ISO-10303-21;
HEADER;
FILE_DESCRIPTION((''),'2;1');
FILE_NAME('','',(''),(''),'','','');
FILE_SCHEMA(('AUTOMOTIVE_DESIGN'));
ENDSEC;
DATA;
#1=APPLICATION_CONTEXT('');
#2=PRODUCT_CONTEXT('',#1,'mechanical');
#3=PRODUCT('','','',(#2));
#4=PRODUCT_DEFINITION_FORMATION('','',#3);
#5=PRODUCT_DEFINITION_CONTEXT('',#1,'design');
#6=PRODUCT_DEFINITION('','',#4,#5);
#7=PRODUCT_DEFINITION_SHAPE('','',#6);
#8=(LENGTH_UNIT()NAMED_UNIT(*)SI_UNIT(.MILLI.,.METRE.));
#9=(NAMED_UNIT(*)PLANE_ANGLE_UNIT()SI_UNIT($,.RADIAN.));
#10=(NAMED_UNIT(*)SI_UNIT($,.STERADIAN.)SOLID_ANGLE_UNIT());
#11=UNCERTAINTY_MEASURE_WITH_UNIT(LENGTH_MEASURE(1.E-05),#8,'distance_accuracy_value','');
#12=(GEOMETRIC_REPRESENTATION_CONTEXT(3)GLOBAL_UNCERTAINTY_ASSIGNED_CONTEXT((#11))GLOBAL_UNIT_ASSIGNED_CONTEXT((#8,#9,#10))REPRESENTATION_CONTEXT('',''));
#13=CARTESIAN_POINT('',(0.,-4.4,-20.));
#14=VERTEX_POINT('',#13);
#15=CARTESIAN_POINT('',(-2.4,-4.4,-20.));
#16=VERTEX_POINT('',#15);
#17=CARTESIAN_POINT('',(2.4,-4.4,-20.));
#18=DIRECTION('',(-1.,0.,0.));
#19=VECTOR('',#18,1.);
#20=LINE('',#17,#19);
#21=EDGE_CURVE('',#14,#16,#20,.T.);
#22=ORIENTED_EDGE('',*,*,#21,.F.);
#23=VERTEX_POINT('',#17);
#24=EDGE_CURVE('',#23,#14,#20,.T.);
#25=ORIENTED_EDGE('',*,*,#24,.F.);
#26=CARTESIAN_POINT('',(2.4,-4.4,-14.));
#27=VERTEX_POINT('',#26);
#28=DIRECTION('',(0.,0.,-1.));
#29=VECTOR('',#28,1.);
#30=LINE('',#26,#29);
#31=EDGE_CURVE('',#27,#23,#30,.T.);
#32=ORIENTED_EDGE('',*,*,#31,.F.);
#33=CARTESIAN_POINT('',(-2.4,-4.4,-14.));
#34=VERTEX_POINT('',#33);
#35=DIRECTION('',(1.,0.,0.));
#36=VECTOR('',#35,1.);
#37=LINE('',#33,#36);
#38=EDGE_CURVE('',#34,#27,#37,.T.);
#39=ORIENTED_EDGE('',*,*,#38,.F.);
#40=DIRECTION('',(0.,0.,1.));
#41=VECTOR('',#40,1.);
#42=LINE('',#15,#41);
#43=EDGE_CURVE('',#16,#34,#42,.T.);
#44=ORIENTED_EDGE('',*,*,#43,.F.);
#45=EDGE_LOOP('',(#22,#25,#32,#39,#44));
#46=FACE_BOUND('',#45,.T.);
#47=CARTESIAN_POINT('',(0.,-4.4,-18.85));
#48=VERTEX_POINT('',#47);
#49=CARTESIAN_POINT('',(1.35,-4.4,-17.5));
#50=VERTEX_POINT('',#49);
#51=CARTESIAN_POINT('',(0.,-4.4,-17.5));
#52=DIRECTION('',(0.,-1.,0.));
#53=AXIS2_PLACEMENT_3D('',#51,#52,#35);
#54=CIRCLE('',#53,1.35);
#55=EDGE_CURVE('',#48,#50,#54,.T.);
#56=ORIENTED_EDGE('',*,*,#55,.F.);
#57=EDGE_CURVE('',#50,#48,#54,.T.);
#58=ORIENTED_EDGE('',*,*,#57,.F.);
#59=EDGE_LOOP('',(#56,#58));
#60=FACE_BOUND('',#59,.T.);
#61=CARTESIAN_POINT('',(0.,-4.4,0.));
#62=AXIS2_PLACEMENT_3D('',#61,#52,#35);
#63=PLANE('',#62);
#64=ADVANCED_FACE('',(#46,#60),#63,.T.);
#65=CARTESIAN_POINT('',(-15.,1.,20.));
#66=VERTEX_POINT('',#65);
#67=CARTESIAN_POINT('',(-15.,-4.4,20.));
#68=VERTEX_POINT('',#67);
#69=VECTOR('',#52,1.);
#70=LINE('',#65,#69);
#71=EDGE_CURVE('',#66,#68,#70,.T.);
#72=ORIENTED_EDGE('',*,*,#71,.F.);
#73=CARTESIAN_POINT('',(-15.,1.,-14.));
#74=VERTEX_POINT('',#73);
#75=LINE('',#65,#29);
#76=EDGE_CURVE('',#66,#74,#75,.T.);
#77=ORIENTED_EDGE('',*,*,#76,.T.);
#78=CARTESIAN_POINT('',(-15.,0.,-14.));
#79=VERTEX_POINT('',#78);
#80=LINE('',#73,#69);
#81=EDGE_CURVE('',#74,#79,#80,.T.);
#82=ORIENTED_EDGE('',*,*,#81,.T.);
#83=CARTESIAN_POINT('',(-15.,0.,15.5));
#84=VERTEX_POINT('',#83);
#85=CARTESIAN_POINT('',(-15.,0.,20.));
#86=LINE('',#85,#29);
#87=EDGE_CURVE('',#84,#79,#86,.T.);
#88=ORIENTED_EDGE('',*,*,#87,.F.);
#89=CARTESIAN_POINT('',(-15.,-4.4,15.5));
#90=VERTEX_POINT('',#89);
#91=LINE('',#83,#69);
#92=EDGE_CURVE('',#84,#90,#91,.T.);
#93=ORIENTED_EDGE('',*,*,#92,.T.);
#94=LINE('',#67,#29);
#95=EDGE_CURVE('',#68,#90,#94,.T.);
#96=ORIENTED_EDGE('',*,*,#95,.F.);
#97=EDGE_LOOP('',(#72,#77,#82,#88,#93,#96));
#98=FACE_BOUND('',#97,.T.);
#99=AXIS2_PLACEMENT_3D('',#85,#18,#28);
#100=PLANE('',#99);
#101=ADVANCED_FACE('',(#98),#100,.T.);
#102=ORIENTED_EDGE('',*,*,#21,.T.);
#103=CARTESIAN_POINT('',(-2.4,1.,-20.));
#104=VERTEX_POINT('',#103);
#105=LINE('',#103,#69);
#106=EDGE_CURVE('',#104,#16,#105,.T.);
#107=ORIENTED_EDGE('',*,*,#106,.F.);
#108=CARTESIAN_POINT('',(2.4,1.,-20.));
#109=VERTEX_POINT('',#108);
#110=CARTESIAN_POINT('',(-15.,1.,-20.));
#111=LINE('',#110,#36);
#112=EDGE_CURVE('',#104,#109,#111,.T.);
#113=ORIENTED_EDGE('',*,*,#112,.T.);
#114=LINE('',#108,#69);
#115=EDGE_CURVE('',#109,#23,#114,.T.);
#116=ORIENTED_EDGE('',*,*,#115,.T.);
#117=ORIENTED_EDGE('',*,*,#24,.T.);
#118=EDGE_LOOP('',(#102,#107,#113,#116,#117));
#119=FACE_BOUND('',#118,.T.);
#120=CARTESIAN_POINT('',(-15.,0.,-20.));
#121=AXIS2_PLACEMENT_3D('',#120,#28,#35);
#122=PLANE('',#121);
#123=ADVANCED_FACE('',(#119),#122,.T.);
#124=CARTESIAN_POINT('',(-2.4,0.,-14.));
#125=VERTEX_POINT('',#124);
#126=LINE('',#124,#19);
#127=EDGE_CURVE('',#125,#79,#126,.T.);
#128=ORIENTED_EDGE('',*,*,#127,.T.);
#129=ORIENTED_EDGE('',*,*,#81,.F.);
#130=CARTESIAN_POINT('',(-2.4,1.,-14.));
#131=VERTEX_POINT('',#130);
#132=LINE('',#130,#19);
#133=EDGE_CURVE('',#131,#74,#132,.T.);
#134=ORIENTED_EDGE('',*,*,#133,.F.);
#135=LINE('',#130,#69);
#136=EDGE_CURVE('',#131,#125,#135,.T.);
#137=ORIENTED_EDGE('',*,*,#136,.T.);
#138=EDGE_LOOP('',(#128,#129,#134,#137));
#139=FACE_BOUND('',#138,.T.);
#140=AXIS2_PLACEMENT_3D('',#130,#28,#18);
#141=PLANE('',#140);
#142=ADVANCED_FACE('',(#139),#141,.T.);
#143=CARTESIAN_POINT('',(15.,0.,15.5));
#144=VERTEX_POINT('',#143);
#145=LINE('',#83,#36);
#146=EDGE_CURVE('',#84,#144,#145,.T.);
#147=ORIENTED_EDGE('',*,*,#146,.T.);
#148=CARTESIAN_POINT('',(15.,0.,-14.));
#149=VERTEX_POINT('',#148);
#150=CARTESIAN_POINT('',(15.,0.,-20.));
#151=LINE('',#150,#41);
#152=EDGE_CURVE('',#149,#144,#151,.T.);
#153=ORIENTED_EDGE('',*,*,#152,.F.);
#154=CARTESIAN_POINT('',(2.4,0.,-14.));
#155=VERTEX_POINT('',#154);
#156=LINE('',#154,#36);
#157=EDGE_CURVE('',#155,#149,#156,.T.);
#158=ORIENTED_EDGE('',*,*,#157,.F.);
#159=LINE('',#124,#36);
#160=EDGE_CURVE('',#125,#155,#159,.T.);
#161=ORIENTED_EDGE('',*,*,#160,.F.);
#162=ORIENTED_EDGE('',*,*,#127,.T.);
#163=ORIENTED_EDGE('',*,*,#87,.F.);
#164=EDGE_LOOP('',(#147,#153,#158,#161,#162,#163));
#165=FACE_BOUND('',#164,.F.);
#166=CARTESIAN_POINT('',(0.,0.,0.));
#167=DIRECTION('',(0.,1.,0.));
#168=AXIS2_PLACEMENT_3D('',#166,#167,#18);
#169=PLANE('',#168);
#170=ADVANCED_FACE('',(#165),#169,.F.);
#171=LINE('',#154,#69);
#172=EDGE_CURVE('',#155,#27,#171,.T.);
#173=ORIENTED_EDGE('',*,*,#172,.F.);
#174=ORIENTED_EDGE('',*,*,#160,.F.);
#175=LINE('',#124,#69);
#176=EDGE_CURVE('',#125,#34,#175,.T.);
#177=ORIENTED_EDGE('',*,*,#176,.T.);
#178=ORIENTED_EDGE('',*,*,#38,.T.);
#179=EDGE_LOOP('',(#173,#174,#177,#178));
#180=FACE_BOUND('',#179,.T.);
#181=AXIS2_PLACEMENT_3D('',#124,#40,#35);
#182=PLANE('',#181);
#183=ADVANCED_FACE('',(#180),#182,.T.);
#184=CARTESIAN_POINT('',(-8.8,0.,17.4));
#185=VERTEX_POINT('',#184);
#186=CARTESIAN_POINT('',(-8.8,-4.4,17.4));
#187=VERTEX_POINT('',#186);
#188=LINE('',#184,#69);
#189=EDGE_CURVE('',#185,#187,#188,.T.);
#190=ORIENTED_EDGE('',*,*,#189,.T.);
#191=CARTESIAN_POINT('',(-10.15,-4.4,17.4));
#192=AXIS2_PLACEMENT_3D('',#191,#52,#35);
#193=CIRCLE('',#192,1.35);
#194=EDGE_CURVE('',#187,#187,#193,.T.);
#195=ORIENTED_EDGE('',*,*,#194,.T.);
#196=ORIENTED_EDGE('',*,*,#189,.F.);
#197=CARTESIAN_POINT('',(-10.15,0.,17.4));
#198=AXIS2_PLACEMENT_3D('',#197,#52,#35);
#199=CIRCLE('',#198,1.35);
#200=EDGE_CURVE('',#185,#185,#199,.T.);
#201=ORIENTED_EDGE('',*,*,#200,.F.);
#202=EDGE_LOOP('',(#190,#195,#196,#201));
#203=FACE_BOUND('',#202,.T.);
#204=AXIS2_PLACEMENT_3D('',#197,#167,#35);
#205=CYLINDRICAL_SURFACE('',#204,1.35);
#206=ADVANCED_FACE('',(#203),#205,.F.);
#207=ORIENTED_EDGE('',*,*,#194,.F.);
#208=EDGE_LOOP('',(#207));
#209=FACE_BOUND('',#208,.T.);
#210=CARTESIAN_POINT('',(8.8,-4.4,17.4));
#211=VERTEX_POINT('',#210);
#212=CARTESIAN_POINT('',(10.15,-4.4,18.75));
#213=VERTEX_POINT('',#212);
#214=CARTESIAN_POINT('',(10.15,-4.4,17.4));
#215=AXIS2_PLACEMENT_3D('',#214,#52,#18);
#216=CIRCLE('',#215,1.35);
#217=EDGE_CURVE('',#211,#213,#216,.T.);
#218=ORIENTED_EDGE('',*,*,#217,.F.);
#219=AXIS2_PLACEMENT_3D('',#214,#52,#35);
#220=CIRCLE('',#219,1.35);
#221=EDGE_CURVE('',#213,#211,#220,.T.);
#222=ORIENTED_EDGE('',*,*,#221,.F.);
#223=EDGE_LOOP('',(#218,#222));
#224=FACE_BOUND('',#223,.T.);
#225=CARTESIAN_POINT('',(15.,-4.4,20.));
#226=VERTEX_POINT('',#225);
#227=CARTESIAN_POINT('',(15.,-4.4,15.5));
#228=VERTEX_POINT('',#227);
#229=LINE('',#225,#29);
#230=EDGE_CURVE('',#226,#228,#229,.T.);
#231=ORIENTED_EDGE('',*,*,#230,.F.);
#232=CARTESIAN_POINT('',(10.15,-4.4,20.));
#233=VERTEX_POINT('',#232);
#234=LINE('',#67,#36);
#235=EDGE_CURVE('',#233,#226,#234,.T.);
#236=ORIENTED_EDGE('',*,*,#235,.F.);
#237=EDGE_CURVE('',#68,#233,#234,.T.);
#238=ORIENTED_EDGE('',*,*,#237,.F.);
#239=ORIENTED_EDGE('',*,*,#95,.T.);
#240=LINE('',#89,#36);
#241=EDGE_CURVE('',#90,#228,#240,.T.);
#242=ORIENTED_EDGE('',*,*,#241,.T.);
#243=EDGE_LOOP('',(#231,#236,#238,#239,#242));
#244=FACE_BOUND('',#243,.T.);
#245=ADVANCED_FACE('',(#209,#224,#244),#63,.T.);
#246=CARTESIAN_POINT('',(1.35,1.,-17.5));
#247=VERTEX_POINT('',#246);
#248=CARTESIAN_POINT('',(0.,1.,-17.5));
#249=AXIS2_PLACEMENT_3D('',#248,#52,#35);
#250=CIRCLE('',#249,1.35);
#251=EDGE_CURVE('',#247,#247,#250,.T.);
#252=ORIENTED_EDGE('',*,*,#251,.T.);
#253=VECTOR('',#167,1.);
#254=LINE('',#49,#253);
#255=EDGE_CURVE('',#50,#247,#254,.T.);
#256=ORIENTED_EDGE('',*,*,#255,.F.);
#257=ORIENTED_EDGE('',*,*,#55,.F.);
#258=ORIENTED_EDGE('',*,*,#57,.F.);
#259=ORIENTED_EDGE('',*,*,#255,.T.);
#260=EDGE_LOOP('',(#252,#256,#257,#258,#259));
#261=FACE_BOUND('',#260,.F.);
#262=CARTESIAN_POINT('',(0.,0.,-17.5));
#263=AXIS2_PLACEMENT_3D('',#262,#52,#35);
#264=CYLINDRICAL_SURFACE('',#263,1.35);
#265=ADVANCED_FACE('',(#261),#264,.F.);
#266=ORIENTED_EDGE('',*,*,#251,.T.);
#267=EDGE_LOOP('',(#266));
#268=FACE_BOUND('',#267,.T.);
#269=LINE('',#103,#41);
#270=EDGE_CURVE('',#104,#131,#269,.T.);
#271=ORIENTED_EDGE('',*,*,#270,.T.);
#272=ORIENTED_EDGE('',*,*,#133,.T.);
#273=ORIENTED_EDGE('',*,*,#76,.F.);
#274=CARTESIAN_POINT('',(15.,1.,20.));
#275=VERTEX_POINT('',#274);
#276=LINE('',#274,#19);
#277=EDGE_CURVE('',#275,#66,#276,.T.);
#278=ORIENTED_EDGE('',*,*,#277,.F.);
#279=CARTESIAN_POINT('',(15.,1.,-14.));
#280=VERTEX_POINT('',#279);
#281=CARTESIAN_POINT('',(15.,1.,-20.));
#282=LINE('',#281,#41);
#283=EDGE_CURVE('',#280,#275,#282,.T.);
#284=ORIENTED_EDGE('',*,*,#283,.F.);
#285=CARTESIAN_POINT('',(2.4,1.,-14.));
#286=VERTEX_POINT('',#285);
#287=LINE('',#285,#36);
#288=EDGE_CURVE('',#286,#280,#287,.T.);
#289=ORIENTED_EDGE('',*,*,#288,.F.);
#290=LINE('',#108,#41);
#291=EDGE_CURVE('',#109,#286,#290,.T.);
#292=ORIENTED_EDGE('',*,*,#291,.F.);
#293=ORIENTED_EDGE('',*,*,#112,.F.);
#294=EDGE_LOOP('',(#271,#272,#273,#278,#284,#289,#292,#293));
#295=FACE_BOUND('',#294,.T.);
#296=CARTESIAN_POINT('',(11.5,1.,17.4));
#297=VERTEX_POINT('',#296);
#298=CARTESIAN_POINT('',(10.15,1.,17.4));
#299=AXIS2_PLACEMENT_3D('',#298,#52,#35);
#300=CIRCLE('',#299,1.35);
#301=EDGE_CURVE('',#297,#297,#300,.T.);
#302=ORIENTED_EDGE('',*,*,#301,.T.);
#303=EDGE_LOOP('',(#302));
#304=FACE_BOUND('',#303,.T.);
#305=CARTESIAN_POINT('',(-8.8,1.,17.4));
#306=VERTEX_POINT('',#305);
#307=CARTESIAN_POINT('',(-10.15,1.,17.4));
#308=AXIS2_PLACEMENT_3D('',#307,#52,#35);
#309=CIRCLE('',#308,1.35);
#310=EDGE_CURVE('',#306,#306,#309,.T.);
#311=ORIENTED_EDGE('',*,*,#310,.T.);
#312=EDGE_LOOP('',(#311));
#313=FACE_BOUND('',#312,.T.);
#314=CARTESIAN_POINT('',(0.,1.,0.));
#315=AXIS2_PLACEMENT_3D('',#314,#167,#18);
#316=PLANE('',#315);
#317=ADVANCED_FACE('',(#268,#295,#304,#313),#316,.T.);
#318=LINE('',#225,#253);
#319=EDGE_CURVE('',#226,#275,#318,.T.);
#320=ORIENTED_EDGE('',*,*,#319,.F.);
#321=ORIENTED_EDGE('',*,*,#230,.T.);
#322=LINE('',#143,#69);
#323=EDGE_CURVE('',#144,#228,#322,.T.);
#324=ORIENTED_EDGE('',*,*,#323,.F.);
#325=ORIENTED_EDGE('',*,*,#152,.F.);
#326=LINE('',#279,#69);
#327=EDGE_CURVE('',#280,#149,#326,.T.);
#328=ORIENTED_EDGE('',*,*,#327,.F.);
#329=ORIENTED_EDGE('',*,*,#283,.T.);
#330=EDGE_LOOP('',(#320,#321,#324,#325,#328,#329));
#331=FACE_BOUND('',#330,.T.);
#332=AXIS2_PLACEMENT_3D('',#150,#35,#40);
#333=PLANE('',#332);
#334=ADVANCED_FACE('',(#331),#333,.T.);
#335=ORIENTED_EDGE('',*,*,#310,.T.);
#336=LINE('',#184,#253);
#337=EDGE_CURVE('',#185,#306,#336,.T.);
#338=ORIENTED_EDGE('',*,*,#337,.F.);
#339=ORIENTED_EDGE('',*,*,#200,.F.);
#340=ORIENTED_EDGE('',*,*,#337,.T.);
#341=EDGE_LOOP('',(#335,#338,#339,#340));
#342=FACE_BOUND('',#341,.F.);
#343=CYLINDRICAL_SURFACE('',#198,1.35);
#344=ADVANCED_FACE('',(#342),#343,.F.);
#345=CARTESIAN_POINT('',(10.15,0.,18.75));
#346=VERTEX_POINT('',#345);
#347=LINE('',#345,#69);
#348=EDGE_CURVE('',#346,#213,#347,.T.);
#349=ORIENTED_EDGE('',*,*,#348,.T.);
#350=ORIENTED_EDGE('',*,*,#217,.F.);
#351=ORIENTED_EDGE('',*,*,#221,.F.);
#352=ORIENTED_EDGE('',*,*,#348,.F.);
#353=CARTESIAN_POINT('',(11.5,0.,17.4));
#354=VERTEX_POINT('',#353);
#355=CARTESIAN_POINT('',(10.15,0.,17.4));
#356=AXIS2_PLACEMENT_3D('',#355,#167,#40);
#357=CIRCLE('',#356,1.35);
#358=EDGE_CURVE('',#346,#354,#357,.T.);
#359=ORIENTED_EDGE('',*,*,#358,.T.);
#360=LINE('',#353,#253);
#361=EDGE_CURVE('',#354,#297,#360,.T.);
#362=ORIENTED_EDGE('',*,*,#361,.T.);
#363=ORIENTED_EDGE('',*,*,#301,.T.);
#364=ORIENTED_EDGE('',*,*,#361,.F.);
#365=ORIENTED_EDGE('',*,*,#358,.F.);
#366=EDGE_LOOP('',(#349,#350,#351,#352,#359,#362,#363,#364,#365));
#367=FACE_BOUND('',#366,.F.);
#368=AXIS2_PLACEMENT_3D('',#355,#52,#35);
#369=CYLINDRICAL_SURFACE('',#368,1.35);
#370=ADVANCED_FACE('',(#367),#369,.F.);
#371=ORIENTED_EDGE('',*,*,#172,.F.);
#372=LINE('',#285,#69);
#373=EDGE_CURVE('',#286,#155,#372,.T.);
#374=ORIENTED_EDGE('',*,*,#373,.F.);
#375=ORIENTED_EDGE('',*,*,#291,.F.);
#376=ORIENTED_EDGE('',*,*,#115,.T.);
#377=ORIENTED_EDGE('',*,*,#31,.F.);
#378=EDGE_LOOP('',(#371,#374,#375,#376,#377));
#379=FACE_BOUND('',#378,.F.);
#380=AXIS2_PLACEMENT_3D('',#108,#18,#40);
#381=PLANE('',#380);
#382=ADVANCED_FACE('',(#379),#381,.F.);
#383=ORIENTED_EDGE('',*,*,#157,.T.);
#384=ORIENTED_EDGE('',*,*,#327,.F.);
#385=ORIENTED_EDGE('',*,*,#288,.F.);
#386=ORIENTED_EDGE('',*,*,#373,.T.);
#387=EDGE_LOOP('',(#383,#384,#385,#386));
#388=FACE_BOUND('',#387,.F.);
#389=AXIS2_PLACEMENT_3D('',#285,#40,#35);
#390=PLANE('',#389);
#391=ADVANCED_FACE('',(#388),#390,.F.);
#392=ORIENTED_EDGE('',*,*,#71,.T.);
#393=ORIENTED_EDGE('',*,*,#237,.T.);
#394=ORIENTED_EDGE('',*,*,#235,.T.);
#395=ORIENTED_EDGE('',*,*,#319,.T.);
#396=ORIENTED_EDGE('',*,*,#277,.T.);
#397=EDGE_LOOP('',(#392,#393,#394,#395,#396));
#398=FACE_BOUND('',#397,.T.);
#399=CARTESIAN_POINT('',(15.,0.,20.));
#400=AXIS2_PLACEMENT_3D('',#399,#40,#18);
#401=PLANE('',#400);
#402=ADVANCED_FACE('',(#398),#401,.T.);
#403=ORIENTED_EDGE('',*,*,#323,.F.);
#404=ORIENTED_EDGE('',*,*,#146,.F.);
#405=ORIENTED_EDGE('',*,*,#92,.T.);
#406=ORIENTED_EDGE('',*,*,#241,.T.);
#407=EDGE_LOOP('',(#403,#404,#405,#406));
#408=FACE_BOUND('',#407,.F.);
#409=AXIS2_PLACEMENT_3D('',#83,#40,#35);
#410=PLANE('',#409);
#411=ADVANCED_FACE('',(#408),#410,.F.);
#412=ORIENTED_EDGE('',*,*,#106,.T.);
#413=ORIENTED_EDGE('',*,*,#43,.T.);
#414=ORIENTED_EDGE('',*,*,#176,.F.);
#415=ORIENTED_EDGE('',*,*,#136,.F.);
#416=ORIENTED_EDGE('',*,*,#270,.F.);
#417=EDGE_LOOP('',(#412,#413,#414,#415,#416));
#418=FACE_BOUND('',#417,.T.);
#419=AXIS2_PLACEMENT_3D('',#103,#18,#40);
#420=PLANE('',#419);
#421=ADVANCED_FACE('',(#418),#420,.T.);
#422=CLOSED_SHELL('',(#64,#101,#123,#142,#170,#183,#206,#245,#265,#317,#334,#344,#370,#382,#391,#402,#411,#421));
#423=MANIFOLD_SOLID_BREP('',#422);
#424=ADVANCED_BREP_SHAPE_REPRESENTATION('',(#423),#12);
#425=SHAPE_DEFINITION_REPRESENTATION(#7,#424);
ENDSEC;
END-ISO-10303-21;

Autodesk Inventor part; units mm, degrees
ref_plane "YZ Plane" through (0, 0, 0) normal (1, 0, 0) x (0, 1, 0)
ref_plane "XZ Plane" through (0, 0, 0) normal (0, 1, 0) x (-1, 0, 0)
ref_plane "XY Plane" through (0, 0, 0) normal (0, 0, 1) x (1, 0, 0)
sketch "Sketch1" plane through (0, 0, 0) normal (0, 1, 0) x (-1, 0, 0)
  line L0 (-15, 20) -> (15, 20)
  line L1 (15, 20) -> (15, -20)
  line L2 (15, -20) -> (-15, -20)
  line L3 (-15, -20) -> (-15, 20)
  line L4 (-15, 20) -> (15, -20) construction
  line L5 (15, 20) -> (-15, -20) construction
  point P0 (0, 0)
  dimension "d0" = 30
  dimension "d1" = 40
extrude "Extrusion1" add sketch "Sketch1" along normal blind 1
sketch "Sketch3" plane through (0, 1, 0) normal (0, 1, 0) x (1, 0, 0)
  line L0 (15, 20) -> (-15, 20) projected
  line L1 (-15, 20) -> (-2.4, 20)
  line L2 (-2.4, 20) -> (-2.4, 14)
  line L3 (-2.4, 14) -> (-15, 14)
  line L4 (-15, 14) -> (-15, 20)
  line L5 (0, 0) -> (0, 20) construction
  line L6 (15, 20) -> (2.4, 20)
  line L7 (2.4, 20) -> (2.4, 14)
  line L8 (2.4, 14) -> (15, 14)
  line L9 (15, 14) -> (15, 20)
  dimension "d7" = 12.6
  dimension "d8" = 6
  dimension "d9" = 12.6
  dimension "d10" = 6
extrude "Extrusion3" cut sketch "Sketch3" against normal up to surface (1 mm away)
sketch "Sketch8" plane through (0, 0, 0) normal (0, -1, 0) x (1, 0, 0)
  line L0 (2.4, -20) -> (-2.4, -20) projected
  line L1 (2.4, -20) -> (0, -20)
  line L2 (0, -20) -> (0, -17.5)
  line L3 (-2.4, -20) -> (-2.4, -14) projected
  line L4 (2.4, -20) -> (-2.4, -20)
  line L5 (-2.4, -20) -> (-2.4, -14)
  line L6 (-2.4, -14) -> (2.4, -14)
  line L7 (2.4, -14) -> (2.4, -20)
  line L8 (-15, 20) -> (15, 20) projected
  line L9 (15, 20) -> (10.15, 20)
  line L10 (15, 20) -> (19.85, 20) construction
  line L11 (10.15, 20) -> (10.15, 17.4)
  line L12 (10.15, 17.4) -> (-10.15, 17.4)
  line L13 (10.15, 17.4) -> (30.45, 17.4) construction
  circle A0 centre (-10.15, 17.4) radius 1.35
  circle A1 centre (10.15, 17.4) radius 1.35
  line L14 (15, 20) -> (15, -14) projected
  line L15 (15, 20) -> (-15, 20)
  line L16 (-15, 20) -> (-15, 15.5)
  line L17 (-15, 15.5) -> (15, 15.5)
  line L18 (15, 15.5) -> (15, 20)
  circle A2 centre (0, -17.5) radius 1.35
  point P0 (0, 0)
  dimension "d34" = 2.5
  dimension "d35" = 4.85
  dimension "d36" = 180
  dimension "d39" = 2.6
  dimension "d40" = 20.3
  dimension "d41" = 180
  dimension "d42" = 2.7
  dimension "d43" = 2.7
  dimension "d44" = 30
  dimension "d45" = 4.5
  dimension "d46" = 2.7
extrude "Extrusion7" add sketch "Sketch8" along normal blind 4.4
sketch "Sketch9" plane through (0, 0, 0) normal (0, -1, 0) x (1, 0, 0)
  circle A0 centre (10.15, 17.4) radius 1.35 projected
  circle A1 centre (-10.15, 17.4) radius 1.35 projected
  circle A2 centre (0, -17.5) radius 1.35 projected
  point P0 (0, 0)
extrude "Extrusion8" cut sketch "Sketch9" against normal up to surface (1 mm away)
properties part number "imu_bottom_cover"
